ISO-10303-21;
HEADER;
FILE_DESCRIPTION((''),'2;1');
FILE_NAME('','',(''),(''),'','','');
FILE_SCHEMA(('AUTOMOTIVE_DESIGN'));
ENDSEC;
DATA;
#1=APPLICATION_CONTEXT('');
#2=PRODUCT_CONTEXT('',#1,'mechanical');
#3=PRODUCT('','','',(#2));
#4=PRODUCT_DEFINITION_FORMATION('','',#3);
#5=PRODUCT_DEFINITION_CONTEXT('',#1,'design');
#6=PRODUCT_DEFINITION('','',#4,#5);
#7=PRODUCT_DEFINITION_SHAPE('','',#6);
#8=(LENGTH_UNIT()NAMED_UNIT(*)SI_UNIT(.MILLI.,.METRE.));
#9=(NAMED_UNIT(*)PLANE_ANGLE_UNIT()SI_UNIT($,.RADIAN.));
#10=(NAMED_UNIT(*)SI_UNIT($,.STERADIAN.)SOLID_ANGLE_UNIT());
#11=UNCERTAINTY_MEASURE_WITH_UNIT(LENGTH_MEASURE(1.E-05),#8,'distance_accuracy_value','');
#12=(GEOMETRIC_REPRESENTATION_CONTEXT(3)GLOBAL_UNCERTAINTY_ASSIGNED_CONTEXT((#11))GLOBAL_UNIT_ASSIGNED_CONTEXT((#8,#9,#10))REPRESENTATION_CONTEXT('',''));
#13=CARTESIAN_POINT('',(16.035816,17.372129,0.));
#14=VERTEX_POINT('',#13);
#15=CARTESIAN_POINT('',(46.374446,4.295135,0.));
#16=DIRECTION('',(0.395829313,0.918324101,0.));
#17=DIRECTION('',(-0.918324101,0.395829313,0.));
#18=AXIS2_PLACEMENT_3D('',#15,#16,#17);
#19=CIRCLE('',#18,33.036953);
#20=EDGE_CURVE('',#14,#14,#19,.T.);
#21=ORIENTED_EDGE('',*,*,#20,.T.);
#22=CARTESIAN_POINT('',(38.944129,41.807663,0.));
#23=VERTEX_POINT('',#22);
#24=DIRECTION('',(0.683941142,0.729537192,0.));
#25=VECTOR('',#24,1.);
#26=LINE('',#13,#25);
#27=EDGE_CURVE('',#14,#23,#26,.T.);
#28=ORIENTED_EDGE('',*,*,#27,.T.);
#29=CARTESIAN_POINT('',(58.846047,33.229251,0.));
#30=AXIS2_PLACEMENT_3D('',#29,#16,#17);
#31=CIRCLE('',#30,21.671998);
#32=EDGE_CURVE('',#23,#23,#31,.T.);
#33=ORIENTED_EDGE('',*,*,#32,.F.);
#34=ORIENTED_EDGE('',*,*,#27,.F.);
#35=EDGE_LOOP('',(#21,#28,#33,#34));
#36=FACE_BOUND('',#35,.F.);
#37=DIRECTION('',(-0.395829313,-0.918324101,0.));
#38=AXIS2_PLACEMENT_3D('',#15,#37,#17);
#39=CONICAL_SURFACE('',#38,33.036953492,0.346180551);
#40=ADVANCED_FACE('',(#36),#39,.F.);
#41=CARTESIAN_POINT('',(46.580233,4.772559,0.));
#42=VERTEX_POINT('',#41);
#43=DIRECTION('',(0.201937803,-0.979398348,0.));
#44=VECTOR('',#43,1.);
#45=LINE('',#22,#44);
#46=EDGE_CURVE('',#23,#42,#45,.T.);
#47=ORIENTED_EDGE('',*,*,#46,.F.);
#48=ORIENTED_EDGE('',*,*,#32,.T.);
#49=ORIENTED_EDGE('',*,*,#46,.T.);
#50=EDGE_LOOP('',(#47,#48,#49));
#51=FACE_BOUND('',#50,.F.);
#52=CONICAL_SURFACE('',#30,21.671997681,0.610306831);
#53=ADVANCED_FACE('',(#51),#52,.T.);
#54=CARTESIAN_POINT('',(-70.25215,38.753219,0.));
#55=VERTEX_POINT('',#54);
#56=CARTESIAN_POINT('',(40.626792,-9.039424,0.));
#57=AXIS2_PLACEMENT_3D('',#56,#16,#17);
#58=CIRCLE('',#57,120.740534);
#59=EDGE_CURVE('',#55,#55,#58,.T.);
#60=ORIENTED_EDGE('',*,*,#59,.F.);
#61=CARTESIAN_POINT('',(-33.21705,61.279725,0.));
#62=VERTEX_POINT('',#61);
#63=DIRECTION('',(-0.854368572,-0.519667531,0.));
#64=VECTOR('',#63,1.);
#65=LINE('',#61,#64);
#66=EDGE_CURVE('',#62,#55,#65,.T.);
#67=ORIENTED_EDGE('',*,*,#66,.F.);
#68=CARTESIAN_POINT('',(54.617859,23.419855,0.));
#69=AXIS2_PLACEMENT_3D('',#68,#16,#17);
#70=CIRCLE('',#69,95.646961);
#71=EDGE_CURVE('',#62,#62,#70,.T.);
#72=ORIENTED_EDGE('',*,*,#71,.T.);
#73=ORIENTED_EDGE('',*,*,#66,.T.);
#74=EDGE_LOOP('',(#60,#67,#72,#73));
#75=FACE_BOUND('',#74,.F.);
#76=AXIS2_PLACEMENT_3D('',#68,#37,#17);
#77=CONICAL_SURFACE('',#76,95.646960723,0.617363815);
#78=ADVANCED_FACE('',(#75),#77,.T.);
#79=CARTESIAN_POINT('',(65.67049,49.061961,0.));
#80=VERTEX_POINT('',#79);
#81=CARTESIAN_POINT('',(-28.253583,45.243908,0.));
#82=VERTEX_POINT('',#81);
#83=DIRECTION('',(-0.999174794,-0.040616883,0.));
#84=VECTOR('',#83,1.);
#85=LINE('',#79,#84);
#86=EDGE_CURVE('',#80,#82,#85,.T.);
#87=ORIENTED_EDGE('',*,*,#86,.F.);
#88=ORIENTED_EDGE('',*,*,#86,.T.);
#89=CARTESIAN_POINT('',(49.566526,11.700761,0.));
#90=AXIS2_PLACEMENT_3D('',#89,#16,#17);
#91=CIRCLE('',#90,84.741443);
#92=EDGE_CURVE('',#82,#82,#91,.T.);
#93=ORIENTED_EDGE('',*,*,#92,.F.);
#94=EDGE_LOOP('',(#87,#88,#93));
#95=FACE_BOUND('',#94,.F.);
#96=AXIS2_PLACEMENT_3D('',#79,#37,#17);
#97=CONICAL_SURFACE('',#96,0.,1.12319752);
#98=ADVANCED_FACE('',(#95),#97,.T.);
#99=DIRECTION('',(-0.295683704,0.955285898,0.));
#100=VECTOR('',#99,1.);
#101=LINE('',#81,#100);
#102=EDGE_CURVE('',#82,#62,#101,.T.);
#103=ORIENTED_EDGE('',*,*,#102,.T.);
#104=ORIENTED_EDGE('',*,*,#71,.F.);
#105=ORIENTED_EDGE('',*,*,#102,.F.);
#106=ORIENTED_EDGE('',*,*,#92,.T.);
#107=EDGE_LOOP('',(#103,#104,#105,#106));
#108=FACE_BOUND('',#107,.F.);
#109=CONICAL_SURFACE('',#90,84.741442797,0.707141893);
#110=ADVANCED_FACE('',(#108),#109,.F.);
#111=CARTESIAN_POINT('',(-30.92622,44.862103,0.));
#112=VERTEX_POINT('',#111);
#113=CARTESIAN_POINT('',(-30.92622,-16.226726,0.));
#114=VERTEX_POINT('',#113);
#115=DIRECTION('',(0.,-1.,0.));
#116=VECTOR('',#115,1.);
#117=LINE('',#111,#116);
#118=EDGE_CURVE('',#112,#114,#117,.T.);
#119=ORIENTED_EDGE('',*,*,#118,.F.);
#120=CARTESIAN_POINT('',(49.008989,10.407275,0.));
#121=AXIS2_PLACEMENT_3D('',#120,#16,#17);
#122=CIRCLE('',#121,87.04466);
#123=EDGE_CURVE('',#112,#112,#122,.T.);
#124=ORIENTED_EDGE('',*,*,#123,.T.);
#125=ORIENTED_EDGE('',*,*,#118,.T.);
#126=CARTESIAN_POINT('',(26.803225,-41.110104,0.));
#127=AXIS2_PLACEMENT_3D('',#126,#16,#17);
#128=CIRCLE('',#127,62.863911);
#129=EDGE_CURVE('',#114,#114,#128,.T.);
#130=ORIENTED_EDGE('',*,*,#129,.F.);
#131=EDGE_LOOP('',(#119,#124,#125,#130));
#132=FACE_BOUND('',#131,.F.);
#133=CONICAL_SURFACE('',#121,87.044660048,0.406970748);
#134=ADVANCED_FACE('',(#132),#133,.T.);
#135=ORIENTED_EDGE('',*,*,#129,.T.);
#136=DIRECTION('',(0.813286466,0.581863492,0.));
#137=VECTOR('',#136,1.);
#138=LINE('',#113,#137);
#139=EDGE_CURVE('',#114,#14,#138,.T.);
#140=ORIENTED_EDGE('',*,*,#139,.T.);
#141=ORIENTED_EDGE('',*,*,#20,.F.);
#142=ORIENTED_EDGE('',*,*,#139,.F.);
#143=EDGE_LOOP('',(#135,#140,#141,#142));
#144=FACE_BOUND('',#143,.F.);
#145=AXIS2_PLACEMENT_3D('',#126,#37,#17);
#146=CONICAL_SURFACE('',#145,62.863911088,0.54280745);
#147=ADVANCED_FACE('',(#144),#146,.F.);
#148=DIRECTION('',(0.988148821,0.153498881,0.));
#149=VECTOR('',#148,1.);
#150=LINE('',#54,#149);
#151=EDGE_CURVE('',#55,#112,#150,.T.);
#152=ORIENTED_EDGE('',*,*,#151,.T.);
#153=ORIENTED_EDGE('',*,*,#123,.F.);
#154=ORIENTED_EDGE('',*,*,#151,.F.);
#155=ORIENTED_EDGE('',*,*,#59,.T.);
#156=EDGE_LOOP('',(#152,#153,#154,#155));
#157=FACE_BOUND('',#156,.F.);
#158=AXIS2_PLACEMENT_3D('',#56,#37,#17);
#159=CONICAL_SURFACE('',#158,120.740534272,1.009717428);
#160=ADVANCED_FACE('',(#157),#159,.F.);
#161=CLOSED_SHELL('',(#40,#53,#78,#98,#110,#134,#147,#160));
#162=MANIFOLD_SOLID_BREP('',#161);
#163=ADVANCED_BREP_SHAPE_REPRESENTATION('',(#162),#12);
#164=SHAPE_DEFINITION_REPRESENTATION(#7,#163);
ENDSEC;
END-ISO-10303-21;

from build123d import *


with BuildPart() as f1:
    # F0 (on Top) → F1 (revolve)
    with BuildSketch(Plane.XY):
        Polygon((-70.2521502972, 38.7532189488), (-30.926220119, 44.8621027172), (-30.926220119, -16.2267256528), (16.0358157009, 17.372129485), (38.9441289008, 41.8076626956), (46.5802326798, 4.772559274), (65.6704902649, 49.061961472), (-28.2535832375, 45.2439077199), (-33.2170501351, 61.2797252834), align=None)
    revolve(axis=Axis((56.1253614724, 26.917260373, 0), (0.3958293129, 0.9183241013, 0)))


solid = f1.part
